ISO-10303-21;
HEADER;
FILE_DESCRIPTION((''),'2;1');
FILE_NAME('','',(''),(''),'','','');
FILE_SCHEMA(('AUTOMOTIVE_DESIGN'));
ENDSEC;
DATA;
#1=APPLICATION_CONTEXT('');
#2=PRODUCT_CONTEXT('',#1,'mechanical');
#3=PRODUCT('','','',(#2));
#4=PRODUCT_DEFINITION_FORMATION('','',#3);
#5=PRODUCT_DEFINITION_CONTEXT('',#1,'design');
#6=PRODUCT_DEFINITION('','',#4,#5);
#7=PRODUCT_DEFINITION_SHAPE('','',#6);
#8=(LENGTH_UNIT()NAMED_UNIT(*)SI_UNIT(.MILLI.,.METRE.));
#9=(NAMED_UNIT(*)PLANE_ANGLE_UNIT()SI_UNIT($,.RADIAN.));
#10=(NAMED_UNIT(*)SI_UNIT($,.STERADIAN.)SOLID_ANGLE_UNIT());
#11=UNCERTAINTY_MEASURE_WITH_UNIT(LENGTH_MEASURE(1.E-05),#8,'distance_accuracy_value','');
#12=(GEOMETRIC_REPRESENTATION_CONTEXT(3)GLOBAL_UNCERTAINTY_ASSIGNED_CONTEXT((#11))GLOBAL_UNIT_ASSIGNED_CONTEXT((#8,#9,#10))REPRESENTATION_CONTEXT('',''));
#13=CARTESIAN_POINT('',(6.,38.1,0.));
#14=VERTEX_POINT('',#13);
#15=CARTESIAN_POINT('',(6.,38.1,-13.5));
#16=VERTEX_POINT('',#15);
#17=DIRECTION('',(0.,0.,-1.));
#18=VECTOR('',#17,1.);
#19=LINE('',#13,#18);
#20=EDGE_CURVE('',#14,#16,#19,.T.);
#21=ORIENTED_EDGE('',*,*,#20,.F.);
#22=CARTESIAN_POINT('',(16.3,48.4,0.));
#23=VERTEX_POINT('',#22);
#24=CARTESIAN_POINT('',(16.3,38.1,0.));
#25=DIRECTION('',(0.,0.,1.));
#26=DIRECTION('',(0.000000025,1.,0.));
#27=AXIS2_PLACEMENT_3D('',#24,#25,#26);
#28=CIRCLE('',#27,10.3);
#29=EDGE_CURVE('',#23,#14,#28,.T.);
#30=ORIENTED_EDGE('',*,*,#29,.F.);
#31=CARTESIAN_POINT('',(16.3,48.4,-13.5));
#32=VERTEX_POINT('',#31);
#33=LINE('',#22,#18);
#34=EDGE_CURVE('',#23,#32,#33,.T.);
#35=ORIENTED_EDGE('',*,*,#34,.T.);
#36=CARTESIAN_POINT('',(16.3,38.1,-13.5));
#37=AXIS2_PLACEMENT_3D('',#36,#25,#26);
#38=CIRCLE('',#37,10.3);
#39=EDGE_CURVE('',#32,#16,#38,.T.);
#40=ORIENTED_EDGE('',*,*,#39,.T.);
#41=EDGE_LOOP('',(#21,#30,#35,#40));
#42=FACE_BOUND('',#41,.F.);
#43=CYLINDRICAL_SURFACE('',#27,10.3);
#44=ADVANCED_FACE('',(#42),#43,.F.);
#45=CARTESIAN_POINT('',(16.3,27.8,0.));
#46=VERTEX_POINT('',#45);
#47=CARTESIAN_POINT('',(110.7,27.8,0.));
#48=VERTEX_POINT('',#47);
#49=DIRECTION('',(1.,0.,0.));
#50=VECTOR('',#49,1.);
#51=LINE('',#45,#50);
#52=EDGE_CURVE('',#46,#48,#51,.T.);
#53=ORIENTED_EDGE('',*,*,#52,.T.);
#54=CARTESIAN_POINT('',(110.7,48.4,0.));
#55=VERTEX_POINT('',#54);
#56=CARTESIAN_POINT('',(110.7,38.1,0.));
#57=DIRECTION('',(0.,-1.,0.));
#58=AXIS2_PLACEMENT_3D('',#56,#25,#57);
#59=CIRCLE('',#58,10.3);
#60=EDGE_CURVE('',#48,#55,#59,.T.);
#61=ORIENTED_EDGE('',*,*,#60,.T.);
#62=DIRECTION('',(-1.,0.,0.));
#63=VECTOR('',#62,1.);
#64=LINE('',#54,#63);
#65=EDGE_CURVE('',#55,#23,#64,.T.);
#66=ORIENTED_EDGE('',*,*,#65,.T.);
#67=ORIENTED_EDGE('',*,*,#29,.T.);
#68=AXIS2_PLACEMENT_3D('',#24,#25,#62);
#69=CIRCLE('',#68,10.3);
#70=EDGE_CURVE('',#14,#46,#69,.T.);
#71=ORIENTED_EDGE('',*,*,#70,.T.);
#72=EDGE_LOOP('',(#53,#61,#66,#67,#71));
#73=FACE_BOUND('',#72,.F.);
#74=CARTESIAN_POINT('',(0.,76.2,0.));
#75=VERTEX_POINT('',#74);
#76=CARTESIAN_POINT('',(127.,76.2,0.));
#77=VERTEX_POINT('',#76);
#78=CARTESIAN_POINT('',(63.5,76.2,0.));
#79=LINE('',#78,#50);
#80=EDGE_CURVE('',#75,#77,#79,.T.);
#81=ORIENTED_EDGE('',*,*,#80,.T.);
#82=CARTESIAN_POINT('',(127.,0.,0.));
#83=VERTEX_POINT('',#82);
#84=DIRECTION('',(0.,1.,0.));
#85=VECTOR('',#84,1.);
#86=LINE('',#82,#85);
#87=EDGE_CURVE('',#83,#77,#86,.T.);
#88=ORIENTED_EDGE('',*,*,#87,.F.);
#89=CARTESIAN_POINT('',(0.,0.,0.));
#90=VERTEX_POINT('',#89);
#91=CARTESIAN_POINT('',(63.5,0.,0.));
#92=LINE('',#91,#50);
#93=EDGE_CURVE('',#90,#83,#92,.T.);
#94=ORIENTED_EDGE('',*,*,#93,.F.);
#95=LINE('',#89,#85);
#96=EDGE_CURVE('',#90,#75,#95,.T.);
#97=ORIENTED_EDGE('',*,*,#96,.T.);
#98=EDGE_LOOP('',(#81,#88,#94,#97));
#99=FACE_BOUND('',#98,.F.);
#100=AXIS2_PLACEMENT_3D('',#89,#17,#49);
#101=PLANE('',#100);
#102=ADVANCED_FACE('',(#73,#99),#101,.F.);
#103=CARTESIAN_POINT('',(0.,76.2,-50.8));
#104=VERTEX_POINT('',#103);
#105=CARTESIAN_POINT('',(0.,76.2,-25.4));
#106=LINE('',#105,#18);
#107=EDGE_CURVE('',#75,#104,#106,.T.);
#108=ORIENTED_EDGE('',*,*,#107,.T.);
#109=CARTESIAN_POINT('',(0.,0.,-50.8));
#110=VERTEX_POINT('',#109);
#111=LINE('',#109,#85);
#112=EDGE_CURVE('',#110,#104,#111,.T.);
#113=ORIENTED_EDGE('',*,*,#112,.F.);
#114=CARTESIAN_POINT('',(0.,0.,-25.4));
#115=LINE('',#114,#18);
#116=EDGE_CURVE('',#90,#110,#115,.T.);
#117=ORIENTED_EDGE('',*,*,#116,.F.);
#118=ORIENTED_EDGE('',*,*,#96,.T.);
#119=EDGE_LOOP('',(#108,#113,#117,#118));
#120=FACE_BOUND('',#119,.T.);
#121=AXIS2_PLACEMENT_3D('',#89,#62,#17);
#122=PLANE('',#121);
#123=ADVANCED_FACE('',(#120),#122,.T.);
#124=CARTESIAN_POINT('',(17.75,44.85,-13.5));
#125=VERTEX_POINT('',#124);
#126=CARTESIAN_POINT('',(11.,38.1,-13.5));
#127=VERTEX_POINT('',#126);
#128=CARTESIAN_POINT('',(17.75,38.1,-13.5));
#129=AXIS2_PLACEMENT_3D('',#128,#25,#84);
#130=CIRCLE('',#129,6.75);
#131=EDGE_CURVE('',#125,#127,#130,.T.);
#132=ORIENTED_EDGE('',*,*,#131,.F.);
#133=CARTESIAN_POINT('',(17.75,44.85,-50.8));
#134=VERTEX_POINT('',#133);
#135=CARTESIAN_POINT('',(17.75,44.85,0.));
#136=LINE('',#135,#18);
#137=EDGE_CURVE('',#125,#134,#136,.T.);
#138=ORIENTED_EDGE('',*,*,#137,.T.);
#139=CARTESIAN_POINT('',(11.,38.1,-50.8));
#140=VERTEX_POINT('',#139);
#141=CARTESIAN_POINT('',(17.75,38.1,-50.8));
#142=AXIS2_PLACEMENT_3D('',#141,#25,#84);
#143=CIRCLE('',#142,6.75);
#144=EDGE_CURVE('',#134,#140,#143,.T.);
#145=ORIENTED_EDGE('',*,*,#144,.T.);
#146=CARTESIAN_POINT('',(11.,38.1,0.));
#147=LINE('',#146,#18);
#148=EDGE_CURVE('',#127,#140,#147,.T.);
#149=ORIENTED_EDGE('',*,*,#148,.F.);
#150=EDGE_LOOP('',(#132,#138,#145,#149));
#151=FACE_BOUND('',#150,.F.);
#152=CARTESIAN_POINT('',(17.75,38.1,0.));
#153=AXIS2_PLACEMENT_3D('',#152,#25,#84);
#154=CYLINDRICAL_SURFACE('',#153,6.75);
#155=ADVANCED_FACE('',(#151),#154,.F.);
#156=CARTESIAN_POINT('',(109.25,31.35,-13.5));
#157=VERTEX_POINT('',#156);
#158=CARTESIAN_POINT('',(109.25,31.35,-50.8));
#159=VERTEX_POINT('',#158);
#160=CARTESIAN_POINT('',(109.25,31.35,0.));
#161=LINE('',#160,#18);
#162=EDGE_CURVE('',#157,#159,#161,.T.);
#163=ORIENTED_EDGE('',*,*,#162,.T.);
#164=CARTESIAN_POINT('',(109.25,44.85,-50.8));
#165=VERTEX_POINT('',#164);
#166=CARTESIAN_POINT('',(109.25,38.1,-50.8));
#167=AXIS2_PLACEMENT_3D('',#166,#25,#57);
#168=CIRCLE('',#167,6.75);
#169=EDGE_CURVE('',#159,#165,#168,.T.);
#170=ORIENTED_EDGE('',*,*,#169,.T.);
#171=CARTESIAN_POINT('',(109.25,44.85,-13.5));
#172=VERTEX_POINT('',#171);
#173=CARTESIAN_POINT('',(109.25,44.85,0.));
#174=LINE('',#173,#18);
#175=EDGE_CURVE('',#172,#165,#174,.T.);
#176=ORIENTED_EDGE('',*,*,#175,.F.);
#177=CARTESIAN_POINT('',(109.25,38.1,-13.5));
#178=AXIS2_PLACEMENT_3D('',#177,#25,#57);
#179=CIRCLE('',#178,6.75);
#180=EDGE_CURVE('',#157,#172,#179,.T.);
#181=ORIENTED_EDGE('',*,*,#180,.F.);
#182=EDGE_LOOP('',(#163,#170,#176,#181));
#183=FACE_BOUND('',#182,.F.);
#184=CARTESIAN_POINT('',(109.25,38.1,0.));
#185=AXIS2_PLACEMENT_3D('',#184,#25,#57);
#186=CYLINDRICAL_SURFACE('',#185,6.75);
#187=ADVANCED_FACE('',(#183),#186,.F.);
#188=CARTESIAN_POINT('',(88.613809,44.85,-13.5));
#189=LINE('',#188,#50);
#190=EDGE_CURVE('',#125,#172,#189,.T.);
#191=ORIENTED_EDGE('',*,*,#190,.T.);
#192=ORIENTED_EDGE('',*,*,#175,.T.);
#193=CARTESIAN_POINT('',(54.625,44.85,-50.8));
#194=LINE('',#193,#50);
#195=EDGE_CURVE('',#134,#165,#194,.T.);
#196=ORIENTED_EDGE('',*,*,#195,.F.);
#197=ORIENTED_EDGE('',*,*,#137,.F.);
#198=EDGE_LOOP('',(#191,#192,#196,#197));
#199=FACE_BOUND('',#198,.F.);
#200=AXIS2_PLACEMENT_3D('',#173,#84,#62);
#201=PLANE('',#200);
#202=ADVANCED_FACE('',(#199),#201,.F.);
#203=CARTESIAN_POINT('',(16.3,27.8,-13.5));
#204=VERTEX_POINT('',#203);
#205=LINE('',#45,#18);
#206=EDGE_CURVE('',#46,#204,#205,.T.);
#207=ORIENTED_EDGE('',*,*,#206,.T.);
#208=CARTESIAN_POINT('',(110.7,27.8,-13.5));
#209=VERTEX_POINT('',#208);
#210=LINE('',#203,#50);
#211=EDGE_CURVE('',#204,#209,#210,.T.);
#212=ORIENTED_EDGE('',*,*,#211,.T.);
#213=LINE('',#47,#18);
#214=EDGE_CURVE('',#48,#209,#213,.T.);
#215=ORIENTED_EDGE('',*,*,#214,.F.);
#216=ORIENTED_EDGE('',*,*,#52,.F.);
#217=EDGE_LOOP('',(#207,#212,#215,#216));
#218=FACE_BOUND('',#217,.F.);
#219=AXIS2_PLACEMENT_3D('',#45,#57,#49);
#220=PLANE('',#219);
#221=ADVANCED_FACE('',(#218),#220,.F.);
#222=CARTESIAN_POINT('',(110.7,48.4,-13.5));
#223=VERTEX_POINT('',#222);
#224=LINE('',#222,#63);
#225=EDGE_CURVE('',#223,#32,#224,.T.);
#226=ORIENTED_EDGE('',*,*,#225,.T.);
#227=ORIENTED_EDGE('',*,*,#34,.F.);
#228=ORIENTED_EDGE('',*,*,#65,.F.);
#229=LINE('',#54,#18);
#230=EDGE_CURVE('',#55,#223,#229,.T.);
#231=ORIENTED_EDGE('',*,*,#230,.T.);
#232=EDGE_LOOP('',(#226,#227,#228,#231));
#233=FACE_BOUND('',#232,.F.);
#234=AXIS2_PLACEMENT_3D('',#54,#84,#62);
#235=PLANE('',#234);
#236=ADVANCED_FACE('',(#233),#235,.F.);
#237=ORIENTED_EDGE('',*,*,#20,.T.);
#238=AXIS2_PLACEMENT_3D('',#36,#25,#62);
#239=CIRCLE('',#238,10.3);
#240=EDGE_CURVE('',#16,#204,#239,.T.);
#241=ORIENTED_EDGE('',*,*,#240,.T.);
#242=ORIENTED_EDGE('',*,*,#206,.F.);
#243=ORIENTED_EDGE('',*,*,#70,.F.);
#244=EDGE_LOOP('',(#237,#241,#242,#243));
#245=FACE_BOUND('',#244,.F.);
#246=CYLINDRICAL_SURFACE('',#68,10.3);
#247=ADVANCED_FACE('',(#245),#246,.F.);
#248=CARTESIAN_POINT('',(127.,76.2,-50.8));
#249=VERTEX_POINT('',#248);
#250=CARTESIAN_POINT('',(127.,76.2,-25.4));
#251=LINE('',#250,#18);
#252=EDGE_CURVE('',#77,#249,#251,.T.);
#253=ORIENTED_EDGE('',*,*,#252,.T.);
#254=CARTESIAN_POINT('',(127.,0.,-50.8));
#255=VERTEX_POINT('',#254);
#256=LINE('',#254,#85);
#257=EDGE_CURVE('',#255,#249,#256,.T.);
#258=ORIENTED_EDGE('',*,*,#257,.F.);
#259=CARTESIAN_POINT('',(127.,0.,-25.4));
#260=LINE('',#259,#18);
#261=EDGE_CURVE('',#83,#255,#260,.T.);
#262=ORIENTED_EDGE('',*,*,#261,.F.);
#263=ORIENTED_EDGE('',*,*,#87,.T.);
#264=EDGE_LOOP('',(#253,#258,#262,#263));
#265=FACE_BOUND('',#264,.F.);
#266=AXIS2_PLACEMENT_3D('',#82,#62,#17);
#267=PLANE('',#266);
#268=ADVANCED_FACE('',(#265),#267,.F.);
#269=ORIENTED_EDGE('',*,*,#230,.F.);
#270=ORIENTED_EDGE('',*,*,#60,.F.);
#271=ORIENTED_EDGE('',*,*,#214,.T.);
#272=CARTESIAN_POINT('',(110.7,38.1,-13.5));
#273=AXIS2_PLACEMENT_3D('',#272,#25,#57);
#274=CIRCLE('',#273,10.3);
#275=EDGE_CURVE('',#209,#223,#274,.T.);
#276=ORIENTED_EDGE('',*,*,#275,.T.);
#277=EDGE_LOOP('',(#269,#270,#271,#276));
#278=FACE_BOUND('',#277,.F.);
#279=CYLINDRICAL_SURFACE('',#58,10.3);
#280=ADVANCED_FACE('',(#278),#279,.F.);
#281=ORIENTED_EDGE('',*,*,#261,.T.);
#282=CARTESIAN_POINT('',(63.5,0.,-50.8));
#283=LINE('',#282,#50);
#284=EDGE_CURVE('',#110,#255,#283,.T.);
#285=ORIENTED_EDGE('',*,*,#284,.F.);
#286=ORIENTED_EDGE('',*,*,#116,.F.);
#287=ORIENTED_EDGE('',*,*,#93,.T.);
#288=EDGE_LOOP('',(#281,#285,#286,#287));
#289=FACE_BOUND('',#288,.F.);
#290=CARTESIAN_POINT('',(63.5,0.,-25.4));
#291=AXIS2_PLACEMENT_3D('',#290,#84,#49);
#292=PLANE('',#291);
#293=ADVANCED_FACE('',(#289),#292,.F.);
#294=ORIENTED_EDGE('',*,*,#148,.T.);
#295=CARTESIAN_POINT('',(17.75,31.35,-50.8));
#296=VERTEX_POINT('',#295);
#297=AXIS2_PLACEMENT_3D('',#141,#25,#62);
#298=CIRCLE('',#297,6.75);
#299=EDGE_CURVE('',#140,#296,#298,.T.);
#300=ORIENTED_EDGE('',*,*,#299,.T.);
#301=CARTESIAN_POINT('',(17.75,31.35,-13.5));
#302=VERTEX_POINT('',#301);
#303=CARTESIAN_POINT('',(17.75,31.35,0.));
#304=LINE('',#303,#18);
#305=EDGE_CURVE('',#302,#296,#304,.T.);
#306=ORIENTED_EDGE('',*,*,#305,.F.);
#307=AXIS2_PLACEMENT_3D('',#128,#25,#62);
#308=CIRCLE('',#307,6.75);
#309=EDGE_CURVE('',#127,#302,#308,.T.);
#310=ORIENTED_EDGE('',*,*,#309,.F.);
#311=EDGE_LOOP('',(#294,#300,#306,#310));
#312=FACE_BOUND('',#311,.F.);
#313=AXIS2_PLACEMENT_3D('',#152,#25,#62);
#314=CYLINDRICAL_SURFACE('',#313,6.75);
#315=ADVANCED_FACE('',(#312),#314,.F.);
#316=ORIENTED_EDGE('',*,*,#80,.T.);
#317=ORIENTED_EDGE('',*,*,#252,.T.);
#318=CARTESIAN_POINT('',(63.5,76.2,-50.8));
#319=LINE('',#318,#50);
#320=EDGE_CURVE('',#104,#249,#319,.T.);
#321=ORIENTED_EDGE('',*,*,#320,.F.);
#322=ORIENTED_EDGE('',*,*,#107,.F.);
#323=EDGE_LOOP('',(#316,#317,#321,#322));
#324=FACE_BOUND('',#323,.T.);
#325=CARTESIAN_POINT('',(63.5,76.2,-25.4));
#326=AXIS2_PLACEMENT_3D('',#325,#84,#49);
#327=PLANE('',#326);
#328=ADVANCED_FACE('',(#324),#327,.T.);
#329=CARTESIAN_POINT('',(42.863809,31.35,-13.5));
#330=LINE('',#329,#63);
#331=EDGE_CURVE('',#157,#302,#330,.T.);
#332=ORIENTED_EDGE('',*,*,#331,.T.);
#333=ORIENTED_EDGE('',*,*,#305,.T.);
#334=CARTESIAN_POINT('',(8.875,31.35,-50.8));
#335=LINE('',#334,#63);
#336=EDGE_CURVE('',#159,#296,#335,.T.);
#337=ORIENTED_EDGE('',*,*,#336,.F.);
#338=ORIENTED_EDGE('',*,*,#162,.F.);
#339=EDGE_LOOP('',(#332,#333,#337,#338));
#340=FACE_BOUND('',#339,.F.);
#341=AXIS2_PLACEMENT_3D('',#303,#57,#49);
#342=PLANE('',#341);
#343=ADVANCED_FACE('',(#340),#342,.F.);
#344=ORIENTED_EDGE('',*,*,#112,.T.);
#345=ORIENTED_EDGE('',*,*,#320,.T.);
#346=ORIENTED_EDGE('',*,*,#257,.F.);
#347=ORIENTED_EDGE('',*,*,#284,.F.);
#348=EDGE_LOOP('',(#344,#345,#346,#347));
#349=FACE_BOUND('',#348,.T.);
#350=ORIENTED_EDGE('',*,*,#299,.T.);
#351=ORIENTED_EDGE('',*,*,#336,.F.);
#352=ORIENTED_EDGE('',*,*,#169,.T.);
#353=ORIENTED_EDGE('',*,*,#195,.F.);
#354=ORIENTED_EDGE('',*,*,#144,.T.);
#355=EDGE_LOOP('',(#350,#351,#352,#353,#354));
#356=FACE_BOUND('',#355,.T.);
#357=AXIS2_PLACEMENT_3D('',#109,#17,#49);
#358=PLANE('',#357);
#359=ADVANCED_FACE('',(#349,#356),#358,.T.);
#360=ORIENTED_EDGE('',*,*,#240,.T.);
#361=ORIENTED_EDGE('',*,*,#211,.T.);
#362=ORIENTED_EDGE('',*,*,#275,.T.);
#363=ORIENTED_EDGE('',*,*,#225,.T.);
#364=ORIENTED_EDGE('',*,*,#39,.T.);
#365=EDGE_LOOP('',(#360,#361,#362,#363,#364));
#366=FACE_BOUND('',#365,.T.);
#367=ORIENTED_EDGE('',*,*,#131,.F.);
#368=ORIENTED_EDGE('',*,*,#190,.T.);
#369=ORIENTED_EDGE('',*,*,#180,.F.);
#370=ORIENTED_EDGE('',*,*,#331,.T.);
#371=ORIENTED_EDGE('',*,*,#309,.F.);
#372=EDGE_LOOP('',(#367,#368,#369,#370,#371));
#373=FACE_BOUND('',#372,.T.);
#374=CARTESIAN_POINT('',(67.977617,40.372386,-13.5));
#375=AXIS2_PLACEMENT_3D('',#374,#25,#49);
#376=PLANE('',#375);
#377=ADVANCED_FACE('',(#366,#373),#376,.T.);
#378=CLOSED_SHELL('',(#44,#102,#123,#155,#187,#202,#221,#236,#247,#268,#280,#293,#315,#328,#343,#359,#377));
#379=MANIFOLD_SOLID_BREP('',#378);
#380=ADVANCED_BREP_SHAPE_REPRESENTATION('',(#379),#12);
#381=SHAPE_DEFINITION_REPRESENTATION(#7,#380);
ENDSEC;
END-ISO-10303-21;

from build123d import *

# Parameters (mm, degrees)
SKETCH1_W           = 127
SKETCH1_H           = 50.8
BOSS_EXTRUDE1_DEPTH = 76.2
SKETCH2_R           = 6.75
CUT_EXTRUDE5_DEPTH  = 51.8
SKETCH3_R           = 10.3
CUT_EXTRUDE6_DEPTH  = 13.5


with BuildPart() as part:
    # Sketch1 → Boss-Extrude1 (new body)
    with BuildSketch(Plane(origin=(0, 0, 0), x_dir=(1, 0, 0), z_dir=(0, 1, 0))):
        with Locations((63.5, 25.4)):
            Rectangle(SKETCH1_W, SKETCH1_H)
    extrude(amount=BOSS_EXTRUDE1_DEPTH)

    # Sketch2 → Cut-Extrude5 (cut, through all)
    with BuildSketch(Plane.XY):
        with BuildLine():
            Line((63.5, 38.1), (63.5, 31.35))
            Line((63.5, 31.35), (109.25, 31.35))
            ThreePointArc((109.25, 31.35), (102.5, 38.1), (109.25, 44.85))
            Line((109.25, 44.85), (17.75, 44.85))
            ThreePointArc((17.75, 44.85), (22.522970773, 42.872970773), (24.5, 38.1))
            Line((24.5, 38.1), (63.5, 38.1))
        make_face()
        with BuildLine():
            Line((17.75, 31.35), (63.5, 31.35))
            Line((63.5, 31.35), (63.5, 38.1))
            Line((63.5, 38.1), (24.5, 38.1))
            ThreePointArc((24.5, 38.1), (22.522970773, 33.327029227), (17.75, 31.35))
        make_face()
        with Locations((109.25, 38.1)):
            Circle(SKETCH2_R)
        with BuildLine():
            ThreePointArc((17.75, 44.85), (12.977029227, 42.872970773), (11, 38.1))
            Line((11, 38.1), (24.5, 38.1))
            ThreePointArc((24.5, 38.1), (22.522970773, 42.872970773), (17.75, 44.85))
        make_face()
        with BuildLine():
            Line((24.5, 38.1), (11, 38.1))
            ThreePointArc((11, 38.1), (12.977029227, 33.327029227), (17.75, 31.35))
            ThreePointArc((17.75, 31.35), (22.522970773, 33.327029227), (24.5, 38.1))
        make_face()
    extrude(amount=-CUT_EXTRUDE5_DEPTH, mode=Mode.SUBTRACT)

    # Sketch3 → Cut-Extrude6 (cut)
    with BuildSketch(Plane.XY):
        with BuildLine():
            Line((63.5, 38.1), (63.5, 27.8))
            Line((63.5, 27.8), (110.7, 27.8))
            ThreePointArc((110.7, 27.8), (100.4, 38.099999965), (110.699999929, 48.4))
            Line((110.699999929, 48.4), (16.300000257, 48.4))
            ThreePointArc((16.300000257, 48.4), (23.583199937, 45.383199756), (26.6, 38.1))
            Line((26.6, 38.1), (63.5, 38.1))
        make_face()
        with BuildLine():
            Line((16.3, 27.8), (63.5, 27.8))
            Line((63.5, 27.8), (63.5, 38.1))
            Line((63.5, 38.1), (26.6, 38.1))
            ThreePointArc((26.6, 38.1), (23.583199846, 30.816800154), (16.3, 27.8))
        make_face()
        with BuildLine():
            ThreePointArc((16.300000257, 48.4), (9.016800244, 45.383199937), (6, 38.1))
            Line((6, 38.1), (26.6, 38.1))
            ThreePointArc((26.6, 38.1), (23.583199937, 45.383199756), (16.300000257, 48.4))
        make_face()
        with BuildLine():
            Line((26.6, 38.1), (6, 38.1))
            ThreePointArc((6, 38.1), (9.016800154, 30.816800154), (16.3, 27.8))
            ThreePointArc((16.3, 27.8), (23.583199846, 30.816800154), (26.6, 38.1))
        make_face()
        with Locations((110.7, 38.1)):
            Circle(SKETCH3_R)
    extrude(amount=-CUT_EXTRUDE6_DEPTH, mode=Mode.SUBTRACT)


solid = part.part
